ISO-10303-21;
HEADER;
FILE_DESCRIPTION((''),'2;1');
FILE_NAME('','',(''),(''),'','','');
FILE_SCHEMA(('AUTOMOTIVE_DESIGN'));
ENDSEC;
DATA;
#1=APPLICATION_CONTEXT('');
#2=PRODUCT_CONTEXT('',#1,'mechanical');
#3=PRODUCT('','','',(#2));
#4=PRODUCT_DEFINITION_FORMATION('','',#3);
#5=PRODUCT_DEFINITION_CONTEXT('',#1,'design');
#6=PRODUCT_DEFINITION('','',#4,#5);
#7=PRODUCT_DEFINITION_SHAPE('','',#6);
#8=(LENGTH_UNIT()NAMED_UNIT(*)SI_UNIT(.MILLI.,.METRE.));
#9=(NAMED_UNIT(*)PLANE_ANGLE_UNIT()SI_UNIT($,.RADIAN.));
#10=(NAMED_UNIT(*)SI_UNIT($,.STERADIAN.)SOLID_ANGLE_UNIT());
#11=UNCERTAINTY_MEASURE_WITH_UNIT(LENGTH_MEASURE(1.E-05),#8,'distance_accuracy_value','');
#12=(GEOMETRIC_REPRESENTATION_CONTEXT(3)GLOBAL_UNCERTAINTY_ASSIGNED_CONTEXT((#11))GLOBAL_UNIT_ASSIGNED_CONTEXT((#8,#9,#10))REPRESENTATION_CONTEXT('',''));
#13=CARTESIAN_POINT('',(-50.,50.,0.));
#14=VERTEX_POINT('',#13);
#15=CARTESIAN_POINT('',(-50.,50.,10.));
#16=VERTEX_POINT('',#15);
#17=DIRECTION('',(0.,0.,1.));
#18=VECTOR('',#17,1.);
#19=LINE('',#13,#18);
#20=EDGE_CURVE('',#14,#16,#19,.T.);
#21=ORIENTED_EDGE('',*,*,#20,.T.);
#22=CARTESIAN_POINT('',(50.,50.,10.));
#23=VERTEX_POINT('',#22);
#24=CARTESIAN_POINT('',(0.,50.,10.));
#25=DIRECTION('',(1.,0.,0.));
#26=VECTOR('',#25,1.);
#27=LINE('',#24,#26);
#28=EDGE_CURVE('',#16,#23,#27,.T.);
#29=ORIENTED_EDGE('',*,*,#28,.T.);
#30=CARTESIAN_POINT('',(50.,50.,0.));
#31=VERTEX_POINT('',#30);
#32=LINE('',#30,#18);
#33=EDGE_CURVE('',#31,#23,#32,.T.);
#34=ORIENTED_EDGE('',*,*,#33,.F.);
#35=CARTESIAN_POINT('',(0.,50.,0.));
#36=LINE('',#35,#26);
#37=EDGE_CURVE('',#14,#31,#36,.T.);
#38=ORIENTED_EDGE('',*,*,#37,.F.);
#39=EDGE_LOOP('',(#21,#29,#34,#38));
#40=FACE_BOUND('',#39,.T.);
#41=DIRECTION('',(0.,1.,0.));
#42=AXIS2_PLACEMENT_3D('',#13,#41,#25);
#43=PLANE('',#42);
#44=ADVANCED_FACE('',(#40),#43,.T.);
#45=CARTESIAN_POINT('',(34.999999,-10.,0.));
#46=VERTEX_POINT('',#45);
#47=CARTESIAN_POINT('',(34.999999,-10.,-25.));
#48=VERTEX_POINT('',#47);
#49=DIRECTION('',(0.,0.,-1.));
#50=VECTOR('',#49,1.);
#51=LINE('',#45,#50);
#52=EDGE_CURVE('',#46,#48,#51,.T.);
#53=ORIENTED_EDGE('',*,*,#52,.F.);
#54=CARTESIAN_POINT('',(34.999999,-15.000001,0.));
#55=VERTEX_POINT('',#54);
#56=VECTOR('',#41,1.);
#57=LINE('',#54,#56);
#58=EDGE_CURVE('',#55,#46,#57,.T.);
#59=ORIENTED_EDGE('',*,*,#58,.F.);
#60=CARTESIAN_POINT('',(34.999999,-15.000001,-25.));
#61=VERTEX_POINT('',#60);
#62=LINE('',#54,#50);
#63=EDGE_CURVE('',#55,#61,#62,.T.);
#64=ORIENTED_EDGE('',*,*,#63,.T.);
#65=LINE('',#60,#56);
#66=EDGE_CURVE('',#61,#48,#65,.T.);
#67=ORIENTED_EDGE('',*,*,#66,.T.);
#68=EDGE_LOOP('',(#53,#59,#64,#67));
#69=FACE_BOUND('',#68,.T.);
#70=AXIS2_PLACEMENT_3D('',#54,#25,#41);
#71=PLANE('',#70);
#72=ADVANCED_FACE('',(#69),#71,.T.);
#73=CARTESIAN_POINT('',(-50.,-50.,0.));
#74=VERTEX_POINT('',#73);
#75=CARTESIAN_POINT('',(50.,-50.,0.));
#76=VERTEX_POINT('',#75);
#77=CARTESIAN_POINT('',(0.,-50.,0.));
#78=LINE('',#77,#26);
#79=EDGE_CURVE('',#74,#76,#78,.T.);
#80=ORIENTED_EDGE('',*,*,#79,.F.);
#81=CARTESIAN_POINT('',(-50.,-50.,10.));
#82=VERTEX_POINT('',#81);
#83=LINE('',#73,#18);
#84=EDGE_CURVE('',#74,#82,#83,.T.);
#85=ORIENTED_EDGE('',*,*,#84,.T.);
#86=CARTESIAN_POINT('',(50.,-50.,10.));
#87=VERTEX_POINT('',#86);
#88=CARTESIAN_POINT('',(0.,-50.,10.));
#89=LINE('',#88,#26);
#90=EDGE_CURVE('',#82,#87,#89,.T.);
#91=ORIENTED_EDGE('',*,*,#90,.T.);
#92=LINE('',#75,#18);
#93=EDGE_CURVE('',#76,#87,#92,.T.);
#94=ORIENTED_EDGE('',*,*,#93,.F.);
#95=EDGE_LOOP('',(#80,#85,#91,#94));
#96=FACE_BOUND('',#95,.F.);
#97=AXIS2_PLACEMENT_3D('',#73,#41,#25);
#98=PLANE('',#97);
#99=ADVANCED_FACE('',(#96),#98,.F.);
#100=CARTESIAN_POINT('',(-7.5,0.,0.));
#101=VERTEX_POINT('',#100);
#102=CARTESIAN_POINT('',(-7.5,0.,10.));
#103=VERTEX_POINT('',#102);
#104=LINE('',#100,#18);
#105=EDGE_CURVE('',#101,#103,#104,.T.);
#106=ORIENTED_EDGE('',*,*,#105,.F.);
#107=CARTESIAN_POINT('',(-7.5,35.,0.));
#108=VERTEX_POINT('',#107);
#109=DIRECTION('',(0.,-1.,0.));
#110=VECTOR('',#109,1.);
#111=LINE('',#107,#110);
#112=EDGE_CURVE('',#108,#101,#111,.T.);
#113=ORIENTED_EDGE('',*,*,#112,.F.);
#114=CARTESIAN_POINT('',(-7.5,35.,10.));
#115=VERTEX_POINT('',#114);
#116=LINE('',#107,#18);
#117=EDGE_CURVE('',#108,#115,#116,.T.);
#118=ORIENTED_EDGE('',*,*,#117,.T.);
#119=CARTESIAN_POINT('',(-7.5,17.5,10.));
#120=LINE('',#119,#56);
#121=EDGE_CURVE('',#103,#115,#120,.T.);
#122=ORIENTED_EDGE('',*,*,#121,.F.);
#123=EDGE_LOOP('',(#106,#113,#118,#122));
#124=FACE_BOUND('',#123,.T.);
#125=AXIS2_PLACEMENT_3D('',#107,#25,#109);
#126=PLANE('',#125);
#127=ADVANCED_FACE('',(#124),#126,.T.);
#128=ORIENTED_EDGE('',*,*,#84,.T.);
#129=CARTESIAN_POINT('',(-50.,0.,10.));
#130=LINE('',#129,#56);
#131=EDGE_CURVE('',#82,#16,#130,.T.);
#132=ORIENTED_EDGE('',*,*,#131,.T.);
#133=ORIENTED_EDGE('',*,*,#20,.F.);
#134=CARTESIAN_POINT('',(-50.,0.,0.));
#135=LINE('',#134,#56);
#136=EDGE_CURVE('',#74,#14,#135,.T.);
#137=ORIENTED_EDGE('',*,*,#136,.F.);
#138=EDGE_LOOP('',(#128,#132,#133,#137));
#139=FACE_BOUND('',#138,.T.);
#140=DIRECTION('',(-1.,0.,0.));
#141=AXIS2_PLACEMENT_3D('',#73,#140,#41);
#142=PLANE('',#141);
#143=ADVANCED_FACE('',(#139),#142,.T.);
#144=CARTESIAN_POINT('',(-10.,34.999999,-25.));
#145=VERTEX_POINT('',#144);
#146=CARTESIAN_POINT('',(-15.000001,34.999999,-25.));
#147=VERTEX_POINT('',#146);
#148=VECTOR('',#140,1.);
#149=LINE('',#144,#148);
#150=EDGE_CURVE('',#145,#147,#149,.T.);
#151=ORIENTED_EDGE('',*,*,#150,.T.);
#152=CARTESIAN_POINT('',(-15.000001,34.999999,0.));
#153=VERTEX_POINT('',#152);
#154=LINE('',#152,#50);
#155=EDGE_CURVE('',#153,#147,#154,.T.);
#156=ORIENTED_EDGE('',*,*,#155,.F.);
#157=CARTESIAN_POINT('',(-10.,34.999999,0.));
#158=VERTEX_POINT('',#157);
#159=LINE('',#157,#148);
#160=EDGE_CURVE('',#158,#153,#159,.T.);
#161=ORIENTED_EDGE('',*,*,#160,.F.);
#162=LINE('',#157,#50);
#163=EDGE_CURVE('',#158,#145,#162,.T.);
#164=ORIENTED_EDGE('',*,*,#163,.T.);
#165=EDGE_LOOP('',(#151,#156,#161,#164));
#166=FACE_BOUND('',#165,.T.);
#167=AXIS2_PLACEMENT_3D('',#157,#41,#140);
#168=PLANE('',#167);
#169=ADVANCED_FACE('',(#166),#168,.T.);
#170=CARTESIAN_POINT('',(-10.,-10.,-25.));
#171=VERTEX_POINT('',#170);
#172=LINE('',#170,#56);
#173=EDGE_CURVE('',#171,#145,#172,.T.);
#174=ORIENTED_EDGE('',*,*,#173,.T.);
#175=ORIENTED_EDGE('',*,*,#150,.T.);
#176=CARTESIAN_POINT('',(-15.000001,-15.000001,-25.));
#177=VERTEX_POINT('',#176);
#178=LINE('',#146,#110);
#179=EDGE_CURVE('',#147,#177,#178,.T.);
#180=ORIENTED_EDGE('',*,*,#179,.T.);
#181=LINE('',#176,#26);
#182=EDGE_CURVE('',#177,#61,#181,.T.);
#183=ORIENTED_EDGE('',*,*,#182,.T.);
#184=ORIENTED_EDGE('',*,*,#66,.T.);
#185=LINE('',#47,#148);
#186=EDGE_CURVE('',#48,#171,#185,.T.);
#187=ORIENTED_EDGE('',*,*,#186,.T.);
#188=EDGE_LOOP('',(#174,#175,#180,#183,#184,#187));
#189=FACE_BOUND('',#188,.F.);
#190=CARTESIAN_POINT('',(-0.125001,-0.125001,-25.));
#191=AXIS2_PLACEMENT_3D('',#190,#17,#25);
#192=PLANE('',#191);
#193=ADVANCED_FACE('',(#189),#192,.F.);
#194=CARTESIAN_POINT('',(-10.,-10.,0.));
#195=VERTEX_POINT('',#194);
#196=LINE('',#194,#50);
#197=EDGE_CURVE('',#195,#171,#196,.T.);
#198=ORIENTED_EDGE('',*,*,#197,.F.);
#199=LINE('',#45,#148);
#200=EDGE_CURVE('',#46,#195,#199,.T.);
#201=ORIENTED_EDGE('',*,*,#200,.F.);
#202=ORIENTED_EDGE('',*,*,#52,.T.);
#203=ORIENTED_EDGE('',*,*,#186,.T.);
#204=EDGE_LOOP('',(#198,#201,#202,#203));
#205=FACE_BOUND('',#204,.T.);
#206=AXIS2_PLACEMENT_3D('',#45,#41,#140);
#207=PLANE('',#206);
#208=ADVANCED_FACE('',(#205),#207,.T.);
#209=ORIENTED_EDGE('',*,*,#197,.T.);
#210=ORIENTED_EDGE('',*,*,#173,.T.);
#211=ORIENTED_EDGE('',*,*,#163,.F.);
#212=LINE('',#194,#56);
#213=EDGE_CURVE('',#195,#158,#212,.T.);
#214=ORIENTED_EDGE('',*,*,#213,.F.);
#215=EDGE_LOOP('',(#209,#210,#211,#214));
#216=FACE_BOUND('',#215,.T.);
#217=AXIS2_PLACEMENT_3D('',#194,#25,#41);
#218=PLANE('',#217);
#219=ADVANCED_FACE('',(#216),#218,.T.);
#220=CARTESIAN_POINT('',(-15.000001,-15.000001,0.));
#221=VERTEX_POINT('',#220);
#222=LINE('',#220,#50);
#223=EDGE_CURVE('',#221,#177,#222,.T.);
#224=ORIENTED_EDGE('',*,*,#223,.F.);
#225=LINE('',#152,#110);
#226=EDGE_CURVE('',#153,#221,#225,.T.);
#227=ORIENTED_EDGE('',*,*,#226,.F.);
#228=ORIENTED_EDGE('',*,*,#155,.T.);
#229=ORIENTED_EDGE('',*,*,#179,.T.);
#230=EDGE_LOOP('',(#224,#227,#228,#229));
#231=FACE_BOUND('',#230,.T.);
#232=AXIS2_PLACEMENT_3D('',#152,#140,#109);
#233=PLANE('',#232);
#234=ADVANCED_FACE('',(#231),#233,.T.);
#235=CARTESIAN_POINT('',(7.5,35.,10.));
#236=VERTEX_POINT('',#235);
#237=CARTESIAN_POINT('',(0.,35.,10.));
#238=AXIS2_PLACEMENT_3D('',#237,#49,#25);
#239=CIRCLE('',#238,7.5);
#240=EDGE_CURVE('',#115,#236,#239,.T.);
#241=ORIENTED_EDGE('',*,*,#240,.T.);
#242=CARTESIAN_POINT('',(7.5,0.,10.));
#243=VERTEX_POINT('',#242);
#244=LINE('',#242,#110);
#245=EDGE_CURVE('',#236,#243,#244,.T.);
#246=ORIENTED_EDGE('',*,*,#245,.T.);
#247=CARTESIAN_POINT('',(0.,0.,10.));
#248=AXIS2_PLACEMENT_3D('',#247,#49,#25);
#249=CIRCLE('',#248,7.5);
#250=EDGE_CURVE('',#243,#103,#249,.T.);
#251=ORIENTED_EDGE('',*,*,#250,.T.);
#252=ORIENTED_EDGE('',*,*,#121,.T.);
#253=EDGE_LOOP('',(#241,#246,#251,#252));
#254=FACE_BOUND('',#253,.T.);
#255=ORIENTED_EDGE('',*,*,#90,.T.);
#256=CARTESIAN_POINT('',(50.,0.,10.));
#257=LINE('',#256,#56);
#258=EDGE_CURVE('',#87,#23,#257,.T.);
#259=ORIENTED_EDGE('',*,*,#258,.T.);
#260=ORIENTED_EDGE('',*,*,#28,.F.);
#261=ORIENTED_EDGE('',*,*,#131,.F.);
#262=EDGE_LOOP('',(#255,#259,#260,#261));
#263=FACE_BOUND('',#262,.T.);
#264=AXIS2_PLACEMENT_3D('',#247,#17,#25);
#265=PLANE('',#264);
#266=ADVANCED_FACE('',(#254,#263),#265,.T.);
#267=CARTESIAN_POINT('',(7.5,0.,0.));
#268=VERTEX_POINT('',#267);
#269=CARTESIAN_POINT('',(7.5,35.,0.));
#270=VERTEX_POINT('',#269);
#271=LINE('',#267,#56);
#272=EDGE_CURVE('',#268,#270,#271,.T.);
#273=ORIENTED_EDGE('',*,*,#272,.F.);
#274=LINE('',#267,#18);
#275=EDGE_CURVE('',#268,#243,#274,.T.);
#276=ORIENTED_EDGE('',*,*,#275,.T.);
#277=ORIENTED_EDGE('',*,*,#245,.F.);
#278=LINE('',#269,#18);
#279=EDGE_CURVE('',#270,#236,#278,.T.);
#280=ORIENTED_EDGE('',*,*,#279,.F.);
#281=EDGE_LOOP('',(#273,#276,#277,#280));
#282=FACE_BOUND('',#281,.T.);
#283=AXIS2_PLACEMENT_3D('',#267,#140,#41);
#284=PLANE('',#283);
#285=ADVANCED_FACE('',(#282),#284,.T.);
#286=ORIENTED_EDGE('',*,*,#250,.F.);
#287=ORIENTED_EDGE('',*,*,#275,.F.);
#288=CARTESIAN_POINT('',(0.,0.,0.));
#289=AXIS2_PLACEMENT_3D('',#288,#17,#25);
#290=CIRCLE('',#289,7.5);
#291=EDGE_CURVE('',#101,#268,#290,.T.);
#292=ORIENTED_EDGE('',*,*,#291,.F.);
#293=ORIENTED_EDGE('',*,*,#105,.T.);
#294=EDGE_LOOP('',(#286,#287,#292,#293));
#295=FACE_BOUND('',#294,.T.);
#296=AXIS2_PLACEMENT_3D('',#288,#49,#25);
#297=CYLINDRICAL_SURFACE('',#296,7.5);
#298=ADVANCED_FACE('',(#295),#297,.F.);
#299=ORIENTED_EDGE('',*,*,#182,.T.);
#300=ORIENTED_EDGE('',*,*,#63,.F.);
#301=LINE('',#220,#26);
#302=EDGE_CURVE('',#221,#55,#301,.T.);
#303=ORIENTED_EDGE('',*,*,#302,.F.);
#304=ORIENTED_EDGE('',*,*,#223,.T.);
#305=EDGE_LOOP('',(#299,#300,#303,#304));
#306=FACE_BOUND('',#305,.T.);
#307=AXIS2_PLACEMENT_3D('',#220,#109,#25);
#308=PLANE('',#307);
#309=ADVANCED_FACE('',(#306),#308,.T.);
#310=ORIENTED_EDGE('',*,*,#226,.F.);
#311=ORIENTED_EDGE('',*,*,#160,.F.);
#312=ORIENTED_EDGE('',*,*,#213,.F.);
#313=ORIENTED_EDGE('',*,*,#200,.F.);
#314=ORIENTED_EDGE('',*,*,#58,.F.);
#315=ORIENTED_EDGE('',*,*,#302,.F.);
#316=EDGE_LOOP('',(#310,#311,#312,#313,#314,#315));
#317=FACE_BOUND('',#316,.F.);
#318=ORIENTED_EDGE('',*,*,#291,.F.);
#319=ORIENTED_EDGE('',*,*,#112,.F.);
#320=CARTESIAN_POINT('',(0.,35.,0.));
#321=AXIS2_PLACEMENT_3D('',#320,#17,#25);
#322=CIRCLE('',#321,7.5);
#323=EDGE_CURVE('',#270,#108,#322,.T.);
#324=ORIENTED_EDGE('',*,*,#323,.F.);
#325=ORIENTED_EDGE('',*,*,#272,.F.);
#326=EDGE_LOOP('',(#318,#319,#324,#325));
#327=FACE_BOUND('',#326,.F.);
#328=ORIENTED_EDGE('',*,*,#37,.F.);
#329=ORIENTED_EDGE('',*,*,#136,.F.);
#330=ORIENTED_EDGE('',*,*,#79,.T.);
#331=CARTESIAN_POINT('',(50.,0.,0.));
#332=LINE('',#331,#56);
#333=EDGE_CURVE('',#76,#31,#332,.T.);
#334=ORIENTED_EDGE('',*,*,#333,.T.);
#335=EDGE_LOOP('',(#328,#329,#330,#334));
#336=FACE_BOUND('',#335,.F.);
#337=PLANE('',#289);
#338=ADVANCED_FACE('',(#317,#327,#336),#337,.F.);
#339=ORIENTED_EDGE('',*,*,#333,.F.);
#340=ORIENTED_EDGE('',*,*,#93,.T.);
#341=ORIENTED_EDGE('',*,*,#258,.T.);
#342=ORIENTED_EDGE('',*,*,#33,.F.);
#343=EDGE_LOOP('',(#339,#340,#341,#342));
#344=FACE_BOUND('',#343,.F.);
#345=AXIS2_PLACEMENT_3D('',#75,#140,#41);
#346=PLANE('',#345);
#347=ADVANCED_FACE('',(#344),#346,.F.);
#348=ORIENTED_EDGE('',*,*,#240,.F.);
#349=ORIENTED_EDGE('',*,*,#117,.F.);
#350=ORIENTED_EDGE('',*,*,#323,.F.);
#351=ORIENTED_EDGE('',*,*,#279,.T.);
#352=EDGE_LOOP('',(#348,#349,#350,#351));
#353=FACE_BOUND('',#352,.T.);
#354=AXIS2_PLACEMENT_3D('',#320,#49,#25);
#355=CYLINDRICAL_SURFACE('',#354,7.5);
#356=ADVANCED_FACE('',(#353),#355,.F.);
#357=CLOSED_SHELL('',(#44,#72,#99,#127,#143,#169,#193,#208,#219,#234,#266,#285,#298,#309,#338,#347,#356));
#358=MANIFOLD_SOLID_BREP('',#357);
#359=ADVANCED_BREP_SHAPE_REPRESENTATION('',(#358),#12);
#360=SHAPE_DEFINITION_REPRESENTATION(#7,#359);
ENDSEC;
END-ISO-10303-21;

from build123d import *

# Parameters (mm, degrees)
F0_W     = 100
F0_H     = 100
F1_DEPTH = 10
F3_DEPTH = 25
F5_DEPTH = 25


with BuildPart() as f1:
    # F0 (on Top) → F1 (new body)
    with BuildSketch(Plane.XY):
        Rectangle(F0_W, F0_H)
    extrude(amount=F1_DEPTH)

    # F2 (on Top) → F3 (join)
    with BuildSketch(Plane.XY):
        Polygon((34.999999, -10), (-10, -10), (-10, 34.999999), (-15.000001, 34.999999), (-15.000001, -15.000001), (34.999999, -15.000001), align=None)
    extrude(amount=-F3_DEPTH)

    # F4 (on Top) → F5 (cut)
    with BuildSketch(Plane.XY):
        with BuildLine():
            ThreePointArc((-7.5, 0), (0, -7.5), (7.5, 0))
            ThreePointArc((7.5, 0), (0, 7.5), (-7.5, 0))
        make_face()
        with BuildLine():
            ThreePointArc((-7.5, 0), (0, 7.5), (7.5, 0))
            Line((7.5, 0), (7.5, 35))
            ThreePointArc((7.5, 35), (0, 27.5), (-7.5, 35))
            Line((-7.5, 35), (-7.5, 0))
        make_face()
        with BuildLine():
            ThreePointArc((-7.5, 35), (0, 27.5), (7.5, 35))
            ThreePointArc((7.5, 35), (0, 42.5), (-7.5, 35))
        make_face()
    extrude(amount=F5_DEPTH, mode=Mode.SUBTRACT)


solid = f1.part
